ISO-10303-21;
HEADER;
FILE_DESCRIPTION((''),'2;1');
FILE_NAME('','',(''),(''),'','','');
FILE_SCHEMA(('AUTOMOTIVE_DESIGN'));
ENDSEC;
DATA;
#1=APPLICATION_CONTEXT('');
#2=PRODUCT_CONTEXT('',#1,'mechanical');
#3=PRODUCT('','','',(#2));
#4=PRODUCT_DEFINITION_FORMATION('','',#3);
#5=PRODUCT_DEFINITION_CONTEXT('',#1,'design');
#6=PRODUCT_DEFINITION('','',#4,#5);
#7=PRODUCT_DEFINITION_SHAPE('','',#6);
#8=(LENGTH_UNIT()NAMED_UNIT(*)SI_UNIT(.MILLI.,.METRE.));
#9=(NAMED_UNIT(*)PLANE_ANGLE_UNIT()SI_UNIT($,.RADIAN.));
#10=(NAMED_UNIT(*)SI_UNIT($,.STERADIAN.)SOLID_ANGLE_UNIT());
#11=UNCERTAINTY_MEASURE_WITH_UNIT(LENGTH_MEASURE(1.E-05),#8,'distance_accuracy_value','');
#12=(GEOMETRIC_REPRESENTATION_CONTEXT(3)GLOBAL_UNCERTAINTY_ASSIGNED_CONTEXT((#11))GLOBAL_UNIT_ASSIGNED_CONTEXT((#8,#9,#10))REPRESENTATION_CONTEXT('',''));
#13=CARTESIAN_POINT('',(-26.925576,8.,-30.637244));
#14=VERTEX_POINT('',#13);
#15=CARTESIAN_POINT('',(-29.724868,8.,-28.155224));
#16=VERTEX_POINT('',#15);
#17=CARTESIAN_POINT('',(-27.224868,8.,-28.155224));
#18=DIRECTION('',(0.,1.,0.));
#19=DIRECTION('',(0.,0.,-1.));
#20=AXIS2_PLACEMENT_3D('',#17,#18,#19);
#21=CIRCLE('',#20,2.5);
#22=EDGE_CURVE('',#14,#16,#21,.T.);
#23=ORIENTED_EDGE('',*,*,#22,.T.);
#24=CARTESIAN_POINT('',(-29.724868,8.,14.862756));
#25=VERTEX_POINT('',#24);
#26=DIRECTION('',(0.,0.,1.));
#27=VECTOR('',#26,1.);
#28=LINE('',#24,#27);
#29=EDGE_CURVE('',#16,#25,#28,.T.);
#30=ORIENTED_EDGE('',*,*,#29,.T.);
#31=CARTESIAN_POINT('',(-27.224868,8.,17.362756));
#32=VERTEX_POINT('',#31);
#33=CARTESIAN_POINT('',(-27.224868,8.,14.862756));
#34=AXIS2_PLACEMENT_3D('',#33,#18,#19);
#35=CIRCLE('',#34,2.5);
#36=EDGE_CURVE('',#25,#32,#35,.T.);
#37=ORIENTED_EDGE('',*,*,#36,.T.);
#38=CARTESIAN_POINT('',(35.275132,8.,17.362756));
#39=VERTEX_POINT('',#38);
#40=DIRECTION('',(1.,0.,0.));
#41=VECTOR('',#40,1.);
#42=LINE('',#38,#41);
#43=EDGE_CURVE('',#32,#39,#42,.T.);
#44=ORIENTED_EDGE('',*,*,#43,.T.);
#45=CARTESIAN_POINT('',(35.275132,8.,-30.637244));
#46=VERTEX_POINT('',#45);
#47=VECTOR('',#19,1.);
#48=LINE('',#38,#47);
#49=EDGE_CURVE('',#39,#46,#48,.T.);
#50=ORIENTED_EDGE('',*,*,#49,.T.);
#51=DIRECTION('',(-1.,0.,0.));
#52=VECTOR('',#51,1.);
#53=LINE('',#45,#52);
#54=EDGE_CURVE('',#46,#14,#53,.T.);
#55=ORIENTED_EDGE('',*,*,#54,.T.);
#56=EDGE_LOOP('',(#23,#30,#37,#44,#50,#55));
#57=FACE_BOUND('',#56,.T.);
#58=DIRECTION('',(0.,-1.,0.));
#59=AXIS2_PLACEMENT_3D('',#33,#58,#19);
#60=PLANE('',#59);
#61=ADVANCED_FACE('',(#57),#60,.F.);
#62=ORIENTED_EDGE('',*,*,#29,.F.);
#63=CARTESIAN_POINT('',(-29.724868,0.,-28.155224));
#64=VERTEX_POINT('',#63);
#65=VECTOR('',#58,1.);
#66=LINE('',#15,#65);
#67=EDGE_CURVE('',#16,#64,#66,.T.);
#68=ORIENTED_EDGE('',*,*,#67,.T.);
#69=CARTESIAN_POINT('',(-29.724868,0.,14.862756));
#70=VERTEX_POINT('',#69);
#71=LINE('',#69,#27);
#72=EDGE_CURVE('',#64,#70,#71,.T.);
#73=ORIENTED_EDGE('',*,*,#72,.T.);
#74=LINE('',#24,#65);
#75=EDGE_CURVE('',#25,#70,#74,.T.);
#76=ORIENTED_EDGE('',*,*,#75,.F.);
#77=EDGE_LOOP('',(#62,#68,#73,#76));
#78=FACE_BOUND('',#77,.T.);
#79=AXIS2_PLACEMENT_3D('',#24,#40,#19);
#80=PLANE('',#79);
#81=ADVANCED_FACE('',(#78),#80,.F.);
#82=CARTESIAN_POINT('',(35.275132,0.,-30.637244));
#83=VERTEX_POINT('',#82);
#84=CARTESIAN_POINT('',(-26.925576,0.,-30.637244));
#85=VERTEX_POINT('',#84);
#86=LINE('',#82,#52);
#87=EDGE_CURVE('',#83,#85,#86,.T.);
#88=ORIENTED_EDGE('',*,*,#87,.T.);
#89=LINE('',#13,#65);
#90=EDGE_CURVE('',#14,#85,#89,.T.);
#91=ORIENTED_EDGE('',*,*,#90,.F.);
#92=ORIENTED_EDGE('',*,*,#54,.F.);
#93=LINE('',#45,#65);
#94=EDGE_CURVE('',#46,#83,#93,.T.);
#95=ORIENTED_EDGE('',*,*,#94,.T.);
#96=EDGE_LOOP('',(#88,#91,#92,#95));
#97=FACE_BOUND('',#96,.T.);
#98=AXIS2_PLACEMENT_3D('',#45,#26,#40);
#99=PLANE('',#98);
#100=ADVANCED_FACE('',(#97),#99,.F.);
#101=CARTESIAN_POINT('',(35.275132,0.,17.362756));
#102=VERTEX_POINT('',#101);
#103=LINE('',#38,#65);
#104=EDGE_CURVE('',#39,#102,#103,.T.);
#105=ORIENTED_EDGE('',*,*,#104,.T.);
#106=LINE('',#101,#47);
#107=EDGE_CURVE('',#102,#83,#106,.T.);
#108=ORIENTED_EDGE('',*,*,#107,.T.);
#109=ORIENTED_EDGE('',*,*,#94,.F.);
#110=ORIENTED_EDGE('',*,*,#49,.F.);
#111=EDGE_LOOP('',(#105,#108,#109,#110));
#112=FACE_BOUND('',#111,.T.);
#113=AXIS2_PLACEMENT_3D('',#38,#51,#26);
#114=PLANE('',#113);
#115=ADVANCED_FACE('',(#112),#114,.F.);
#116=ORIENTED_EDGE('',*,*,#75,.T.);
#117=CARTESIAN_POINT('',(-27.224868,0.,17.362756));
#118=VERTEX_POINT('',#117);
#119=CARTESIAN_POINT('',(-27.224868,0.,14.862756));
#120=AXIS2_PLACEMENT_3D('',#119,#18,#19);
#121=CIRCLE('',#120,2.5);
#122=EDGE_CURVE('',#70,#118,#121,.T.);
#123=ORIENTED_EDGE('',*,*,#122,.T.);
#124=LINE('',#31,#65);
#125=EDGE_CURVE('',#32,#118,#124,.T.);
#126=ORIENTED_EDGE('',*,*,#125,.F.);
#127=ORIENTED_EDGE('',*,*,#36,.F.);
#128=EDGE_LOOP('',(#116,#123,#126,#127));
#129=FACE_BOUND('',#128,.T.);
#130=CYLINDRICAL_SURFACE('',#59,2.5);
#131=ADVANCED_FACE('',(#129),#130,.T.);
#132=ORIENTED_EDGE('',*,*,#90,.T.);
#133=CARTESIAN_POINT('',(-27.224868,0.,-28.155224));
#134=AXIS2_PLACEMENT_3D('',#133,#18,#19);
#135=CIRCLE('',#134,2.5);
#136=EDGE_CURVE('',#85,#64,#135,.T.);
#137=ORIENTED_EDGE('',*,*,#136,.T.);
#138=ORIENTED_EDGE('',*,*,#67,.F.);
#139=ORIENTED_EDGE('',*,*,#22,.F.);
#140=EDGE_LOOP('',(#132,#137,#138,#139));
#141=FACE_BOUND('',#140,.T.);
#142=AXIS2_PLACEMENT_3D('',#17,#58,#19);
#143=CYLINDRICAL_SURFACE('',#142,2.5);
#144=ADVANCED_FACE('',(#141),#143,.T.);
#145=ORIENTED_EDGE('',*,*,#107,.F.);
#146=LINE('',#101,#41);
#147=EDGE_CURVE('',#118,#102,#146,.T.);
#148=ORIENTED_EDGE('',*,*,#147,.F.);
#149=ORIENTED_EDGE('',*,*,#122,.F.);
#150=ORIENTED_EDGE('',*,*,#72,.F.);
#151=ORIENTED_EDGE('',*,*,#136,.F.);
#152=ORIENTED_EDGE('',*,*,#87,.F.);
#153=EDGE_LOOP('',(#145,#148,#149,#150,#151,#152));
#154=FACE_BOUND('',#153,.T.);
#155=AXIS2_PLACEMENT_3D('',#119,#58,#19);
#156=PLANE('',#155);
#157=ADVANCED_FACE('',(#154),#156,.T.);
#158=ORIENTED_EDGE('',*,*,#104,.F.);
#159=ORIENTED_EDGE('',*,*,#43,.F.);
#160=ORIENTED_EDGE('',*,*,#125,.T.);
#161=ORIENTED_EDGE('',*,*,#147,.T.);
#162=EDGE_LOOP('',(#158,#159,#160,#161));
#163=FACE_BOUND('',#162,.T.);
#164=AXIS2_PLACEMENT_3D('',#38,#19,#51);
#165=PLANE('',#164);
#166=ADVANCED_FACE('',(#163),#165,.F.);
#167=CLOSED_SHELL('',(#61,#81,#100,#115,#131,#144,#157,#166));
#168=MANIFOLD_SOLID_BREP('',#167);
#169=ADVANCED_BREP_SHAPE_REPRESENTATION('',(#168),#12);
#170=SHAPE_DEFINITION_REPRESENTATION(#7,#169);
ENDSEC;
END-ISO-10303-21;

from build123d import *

# Parameters (mm, degrees)
SALIENTE_EXTRUIR1_DEPTH = 8


with BuildPart() as part:
    # Croquis1 → Saliente-Extruir1 (new body)
    with BuildSketch(Plane(origin=(0, 0, 0), x_dir=(1, 0, 0), z_dir=(0, 1, 0))):
        with BuildLine():
            Line((35.275132221, -17.362756007), (35.275132221, 30.637243993))
            Line((35.275132221, 30.637243993), (-26.925575762, 30.637243993))
            ThreePointArc((-26.925575762, 30.637243993), (-28.883446984, 30.025815947), (-29.724867779, 28.155223789))
            Line((-29.724867779, 28.155223789), (-29.724867779, -14.862756007))
            ThreePointArc((-29.724867779, -14.862756007), (-28.992634732, -16.63052296), (-27.224867779, -17.362756007))
            Line((-27.224867779, -17.362756007), (35.275132221, -17.362756007))
        make_face()
    extrude(amount=SALIENTE_EXTRUIR1_DEPTH)


solid = part.part
